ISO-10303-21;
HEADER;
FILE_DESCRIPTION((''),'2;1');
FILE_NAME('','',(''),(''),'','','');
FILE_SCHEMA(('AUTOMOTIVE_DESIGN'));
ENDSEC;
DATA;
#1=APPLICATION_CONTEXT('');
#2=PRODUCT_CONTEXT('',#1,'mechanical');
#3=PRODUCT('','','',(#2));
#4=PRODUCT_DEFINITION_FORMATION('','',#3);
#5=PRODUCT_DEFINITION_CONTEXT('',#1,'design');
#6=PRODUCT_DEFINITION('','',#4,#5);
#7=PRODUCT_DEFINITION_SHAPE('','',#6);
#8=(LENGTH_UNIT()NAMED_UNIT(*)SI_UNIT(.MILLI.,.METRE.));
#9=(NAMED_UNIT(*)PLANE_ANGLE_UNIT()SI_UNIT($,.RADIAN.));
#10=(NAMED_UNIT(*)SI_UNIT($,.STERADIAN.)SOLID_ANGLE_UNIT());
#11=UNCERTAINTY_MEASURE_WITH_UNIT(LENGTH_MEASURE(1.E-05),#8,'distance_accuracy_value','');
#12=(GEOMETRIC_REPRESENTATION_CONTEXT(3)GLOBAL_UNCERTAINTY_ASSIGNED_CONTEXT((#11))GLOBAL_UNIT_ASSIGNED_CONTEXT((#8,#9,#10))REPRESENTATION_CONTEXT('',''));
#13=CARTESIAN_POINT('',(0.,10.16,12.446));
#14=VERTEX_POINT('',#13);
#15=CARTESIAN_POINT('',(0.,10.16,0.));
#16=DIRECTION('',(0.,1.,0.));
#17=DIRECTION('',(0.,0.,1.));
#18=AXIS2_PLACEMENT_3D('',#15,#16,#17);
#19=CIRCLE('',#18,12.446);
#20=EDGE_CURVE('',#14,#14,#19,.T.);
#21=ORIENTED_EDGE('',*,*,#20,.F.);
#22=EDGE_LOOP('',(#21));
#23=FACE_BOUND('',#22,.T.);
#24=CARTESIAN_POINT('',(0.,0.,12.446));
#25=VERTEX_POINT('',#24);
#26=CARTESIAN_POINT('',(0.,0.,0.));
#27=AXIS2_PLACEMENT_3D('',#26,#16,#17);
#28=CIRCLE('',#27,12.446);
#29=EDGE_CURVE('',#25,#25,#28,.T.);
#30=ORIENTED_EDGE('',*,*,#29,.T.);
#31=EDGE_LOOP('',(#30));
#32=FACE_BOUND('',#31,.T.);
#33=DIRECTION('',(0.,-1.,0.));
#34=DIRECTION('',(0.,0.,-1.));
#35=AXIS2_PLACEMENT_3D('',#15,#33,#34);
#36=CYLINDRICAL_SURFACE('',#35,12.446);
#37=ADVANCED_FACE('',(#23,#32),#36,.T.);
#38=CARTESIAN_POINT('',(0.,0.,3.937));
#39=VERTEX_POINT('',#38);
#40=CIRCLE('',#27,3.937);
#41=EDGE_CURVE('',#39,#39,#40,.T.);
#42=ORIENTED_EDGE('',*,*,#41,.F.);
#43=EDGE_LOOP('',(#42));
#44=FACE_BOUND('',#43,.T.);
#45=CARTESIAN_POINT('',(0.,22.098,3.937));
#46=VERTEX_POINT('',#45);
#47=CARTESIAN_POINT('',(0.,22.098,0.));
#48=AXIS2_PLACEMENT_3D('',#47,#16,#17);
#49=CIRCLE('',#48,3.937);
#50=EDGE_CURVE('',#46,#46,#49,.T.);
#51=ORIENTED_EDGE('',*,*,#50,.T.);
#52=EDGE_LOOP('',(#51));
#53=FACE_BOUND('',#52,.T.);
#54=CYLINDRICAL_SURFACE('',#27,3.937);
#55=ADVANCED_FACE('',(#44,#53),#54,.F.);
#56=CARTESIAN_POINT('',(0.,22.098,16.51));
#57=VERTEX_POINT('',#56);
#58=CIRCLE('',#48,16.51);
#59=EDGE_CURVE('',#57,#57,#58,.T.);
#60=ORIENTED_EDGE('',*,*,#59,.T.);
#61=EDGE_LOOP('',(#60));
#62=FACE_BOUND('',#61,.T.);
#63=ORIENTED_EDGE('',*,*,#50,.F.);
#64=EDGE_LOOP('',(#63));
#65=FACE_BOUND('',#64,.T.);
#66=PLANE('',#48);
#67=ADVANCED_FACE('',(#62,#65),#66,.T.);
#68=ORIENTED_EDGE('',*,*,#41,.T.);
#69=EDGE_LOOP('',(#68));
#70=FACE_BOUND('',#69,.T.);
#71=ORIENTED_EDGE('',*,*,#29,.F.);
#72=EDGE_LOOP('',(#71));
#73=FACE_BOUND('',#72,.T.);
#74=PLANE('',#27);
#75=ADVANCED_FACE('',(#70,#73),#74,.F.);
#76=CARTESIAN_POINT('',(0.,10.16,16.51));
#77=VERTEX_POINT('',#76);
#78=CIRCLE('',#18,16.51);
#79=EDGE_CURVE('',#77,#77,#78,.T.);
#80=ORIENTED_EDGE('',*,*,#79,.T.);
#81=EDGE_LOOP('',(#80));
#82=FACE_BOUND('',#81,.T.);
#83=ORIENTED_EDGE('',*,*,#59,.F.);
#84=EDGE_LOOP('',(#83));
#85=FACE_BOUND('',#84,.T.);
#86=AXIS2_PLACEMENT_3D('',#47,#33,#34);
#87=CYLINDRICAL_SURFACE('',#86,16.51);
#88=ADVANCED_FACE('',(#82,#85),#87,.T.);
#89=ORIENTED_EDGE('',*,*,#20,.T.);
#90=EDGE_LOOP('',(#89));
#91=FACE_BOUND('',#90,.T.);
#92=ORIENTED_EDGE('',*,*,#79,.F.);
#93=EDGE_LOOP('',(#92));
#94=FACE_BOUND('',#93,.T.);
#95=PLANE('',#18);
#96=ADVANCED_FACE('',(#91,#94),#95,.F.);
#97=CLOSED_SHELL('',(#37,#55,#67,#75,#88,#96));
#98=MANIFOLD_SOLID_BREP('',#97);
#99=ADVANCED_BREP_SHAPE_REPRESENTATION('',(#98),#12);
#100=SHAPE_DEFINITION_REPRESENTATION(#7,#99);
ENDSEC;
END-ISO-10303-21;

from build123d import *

# Parameters (mm, degrees)
SKETCH1_R           = 12.446
BOSS_EXTRUDE1_DEPTH = 10.16
SKETCH2_R           = 16.51
BOSS_EXTRUDE2_DEPTH = 11.938
SKETCH3_R           = 3.937
CUT_EXTRUDE1_DEPTH  = 33.147811807


with BuildPart() as part:
    # Sketch1 → Boss-Extrude1 (new body)
    with BuildSketch(Plane(origin=(0, 0, 0), x_dir=(1, 0, 0), z_dir=(0, 1, 0))):
        with Locations(Location((0, 0, 0), (0, 0, 270))):
            Circle(SKETCH1_R)
    extrude(amount=BOSS_EXTRUDE1_DEPTH)

    # Sketch2 → Boss-Extrude2 (add)
    with BuildSketch(Plane(origin=(0, 10.16, 0), x_dir=(1, 0, 0), z_dir=(0, 1, 0))):
        with Locations(Location((0, 0, 0), (0, 0, 270))):
            Circle(SKETCH2_R)
    extrude(amount=BOSS_EXTRUDE2_DEPTH)

    # Sketch3 → Cut-Extrude1 (cut, through all)
    with BuildSketch(Plane(origin=(0, 22.098, 0), x_dir=(1, 0, 0), z_dir=(0, 1, 0))):
        with Locations(Location((0, 0, 0), (0, 0, 270))):
            Circle(SKETCH3_R)
    extrude(amount=-CUT_EXTRUDE1_DEPTH, mode=Mode.SUBTRACT)


solid = part.part
